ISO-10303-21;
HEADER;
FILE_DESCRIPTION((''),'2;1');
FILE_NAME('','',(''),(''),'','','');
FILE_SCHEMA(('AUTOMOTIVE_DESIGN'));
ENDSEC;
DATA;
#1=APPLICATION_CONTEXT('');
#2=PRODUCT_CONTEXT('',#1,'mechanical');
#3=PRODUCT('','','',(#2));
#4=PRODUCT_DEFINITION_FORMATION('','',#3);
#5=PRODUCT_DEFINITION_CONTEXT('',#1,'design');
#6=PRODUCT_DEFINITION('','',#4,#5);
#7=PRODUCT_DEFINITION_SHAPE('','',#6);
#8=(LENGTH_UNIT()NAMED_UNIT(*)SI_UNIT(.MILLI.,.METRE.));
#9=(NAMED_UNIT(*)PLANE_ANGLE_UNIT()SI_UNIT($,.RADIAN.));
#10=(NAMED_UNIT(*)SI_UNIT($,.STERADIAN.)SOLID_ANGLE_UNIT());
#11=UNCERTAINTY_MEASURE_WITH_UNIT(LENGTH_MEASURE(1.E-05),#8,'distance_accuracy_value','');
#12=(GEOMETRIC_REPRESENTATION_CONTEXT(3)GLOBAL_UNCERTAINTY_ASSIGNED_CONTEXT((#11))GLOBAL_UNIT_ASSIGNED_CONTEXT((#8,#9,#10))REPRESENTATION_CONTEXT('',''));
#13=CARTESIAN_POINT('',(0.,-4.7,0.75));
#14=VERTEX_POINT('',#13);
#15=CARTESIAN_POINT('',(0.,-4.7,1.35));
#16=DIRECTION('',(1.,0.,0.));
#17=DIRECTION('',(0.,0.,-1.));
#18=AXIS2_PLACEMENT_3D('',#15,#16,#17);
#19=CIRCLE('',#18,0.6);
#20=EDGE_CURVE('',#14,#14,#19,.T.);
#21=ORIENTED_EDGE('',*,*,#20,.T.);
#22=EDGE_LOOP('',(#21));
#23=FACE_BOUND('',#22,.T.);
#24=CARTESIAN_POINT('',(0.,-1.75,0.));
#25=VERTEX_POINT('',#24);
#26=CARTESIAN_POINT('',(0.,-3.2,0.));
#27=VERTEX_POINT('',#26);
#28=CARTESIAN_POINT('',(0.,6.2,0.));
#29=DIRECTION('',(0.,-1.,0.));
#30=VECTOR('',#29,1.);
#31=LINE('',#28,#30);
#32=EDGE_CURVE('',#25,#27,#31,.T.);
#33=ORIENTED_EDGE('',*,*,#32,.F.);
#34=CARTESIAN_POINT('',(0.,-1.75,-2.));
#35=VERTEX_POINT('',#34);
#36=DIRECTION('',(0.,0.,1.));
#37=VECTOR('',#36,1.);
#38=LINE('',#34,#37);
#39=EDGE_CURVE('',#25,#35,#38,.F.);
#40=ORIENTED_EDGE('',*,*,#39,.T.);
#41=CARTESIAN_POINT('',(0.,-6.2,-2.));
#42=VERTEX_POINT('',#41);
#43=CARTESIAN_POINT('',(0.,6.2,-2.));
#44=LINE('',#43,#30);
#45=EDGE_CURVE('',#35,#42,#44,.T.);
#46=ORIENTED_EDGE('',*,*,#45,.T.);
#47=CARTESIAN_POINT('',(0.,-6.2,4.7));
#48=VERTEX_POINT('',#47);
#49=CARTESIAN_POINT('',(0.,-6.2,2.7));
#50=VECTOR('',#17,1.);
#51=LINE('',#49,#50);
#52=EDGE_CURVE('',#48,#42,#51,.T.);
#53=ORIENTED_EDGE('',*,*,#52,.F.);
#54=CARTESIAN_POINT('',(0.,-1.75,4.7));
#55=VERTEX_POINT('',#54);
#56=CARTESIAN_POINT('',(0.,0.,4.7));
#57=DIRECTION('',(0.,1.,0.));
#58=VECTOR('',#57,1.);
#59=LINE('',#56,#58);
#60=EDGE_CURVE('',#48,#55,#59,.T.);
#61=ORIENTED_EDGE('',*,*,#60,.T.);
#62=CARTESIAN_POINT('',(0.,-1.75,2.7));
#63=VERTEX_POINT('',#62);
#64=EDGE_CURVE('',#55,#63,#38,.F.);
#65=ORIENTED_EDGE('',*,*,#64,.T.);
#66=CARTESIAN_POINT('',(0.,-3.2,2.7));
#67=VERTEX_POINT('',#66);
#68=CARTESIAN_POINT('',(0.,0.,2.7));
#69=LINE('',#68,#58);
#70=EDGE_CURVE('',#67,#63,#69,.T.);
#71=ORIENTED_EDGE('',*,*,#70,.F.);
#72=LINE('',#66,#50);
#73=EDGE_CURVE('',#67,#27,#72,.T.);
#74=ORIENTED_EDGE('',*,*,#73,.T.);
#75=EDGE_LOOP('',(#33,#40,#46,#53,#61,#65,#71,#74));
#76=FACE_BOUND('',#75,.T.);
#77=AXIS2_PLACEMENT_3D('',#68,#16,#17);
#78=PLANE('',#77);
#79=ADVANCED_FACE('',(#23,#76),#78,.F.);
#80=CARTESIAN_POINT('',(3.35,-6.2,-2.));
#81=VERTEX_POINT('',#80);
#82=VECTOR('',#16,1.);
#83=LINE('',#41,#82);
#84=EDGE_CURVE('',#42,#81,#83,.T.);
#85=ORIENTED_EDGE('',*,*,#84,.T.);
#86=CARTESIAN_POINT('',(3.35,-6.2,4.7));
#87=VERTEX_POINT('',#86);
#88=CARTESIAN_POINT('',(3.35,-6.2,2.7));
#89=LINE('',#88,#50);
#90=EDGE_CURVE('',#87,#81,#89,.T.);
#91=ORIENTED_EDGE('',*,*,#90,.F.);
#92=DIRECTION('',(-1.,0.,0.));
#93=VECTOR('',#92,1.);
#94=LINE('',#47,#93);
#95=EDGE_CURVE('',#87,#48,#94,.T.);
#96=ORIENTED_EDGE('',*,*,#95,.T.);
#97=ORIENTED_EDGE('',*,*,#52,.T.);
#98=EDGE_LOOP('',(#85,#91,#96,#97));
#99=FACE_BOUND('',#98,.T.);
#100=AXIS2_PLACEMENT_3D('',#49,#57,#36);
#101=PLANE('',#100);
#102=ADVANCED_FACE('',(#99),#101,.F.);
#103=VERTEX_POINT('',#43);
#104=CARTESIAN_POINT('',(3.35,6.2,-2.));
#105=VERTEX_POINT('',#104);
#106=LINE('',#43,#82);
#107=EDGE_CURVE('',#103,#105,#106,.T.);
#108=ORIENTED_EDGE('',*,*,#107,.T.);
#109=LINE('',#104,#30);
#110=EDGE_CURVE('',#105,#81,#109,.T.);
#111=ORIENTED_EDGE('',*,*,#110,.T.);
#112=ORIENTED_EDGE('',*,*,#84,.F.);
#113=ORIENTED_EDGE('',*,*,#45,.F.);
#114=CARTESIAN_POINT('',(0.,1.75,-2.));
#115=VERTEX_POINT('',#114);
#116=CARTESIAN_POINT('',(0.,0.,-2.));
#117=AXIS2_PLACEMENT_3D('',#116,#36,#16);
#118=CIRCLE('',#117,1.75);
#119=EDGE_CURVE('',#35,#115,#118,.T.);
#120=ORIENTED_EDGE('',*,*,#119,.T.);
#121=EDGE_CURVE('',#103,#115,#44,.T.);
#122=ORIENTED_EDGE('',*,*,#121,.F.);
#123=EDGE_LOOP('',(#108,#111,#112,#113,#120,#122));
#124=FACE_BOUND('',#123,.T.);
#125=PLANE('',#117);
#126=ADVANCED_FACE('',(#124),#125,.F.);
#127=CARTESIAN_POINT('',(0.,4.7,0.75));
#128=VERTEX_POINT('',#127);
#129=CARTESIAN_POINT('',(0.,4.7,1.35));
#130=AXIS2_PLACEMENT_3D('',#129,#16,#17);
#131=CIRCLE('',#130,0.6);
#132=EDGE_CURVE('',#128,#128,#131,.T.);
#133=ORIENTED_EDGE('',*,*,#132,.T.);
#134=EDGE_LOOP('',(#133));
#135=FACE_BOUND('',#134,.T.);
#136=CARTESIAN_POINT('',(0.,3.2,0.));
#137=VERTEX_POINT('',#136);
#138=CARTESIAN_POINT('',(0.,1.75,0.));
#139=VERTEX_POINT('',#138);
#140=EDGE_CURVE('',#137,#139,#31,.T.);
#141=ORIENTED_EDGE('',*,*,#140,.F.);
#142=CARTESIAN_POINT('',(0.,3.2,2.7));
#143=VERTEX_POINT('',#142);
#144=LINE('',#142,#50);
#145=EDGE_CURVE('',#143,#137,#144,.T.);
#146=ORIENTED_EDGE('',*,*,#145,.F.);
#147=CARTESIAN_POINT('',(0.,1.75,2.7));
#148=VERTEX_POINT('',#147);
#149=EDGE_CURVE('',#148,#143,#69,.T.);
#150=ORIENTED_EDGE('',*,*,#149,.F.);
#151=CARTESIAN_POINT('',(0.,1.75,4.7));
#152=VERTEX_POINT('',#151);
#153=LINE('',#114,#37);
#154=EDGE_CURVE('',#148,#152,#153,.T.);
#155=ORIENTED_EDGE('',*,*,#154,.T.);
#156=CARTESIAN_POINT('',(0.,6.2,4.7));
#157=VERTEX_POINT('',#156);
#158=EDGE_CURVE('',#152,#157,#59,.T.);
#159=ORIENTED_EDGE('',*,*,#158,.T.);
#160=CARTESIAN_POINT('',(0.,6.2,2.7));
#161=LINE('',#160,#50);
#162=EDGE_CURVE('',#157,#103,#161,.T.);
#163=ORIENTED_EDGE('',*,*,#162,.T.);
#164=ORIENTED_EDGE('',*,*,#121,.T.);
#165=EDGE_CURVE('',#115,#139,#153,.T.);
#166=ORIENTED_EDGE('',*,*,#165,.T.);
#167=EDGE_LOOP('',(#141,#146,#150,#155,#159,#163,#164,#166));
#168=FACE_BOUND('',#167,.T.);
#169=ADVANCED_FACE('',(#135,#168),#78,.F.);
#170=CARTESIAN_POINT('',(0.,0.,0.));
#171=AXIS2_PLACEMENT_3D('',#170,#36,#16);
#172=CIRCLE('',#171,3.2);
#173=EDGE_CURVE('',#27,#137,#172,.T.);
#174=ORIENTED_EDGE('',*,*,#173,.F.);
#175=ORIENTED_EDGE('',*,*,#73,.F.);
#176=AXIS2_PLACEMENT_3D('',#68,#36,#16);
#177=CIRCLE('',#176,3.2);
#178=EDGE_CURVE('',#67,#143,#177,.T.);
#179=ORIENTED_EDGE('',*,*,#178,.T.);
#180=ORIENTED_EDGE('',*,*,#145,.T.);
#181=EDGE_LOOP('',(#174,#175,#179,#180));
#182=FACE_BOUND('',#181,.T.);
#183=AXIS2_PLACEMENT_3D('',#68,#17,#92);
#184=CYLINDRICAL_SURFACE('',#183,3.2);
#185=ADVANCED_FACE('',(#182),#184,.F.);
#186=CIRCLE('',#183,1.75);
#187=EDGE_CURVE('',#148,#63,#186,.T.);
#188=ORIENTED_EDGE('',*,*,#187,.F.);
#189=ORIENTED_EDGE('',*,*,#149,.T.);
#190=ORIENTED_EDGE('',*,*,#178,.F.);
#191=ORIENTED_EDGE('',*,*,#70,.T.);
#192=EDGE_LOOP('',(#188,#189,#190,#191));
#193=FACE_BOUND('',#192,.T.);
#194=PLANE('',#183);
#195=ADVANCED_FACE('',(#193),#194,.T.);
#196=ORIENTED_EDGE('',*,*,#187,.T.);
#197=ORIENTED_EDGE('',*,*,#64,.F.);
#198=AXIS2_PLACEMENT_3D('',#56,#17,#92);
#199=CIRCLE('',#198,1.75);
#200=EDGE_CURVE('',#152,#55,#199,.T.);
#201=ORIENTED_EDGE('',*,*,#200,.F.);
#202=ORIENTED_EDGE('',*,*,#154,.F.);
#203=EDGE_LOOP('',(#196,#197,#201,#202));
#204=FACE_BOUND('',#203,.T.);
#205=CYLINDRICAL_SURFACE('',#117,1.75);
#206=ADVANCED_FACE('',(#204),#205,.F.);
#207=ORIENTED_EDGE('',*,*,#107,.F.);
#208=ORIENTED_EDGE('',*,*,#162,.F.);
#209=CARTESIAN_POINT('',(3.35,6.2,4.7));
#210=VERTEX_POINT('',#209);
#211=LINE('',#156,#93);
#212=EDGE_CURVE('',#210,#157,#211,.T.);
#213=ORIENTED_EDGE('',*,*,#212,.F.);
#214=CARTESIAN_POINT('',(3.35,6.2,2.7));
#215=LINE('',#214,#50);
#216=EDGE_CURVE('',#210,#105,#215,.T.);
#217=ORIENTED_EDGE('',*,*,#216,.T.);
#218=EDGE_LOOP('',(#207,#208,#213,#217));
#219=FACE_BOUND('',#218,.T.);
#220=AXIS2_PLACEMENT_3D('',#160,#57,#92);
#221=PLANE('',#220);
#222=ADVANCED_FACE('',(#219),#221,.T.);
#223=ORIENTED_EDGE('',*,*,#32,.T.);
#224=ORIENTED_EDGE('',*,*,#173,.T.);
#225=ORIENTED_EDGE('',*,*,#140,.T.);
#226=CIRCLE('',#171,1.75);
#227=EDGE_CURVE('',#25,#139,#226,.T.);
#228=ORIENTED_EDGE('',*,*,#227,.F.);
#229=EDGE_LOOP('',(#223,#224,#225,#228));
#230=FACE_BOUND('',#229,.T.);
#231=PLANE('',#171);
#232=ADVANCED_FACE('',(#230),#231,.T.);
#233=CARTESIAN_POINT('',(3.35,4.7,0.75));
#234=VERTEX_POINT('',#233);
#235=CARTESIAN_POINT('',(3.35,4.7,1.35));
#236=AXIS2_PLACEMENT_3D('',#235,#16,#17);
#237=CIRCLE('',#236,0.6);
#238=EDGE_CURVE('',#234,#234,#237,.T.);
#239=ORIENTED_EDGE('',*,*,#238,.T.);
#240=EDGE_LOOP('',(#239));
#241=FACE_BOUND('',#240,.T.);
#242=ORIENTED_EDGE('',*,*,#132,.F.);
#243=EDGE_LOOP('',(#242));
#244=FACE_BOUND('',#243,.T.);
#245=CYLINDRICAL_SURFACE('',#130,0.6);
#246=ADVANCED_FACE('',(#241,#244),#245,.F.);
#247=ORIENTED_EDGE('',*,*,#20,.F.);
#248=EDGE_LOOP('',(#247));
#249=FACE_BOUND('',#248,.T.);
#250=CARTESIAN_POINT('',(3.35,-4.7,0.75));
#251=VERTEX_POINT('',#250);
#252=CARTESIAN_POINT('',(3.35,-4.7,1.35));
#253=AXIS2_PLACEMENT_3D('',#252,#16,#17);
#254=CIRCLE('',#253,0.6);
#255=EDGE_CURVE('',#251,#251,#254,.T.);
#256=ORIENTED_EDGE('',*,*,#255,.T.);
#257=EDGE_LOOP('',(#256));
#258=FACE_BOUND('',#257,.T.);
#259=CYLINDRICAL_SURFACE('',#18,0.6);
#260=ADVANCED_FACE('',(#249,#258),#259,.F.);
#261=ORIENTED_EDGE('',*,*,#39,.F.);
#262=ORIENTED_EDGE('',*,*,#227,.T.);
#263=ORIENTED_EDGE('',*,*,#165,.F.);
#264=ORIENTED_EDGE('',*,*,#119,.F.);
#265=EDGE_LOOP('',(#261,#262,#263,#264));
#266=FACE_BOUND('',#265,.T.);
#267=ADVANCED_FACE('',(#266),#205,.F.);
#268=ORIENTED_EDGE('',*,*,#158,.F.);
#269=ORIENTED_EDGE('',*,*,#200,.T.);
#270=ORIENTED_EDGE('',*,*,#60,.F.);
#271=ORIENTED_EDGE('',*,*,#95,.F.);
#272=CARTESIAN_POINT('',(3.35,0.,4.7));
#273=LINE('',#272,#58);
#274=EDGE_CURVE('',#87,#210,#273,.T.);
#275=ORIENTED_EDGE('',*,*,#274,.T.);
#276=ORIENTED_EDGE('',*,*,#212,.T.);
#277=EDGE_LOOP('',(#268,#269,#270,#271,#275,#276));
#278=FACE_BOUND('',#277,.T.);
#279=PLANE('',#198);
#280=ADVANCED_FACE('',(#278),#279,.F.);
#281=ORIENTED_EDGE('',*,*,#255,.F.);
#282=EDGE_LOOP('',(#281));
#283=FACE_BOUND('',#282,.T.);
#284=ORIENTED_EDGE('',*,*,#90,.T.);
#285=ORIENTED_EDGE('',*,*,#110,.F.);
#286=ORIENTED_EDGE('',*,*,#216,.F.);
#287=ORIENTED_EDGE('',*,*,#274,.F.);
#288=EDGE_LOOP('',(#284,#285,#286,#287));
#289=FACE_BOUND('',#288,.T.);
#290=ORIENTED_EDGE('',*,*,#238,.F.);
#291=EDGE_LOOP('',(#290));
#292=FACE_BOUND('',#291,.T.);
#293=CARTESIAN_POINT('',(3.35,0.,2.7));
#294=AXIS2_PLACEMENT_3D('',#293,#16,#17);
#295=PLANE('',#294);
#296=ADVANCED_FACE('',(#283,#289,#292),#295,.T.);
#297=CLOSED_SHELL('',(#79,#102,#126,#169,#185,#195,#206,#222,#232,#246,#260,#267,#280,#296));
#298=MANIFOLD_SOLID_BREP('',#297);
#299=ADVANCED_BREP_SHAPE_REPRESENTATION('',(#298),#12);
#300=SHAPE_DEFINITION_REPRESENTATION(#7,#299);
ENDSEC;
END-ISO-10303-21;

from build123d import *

# Parameters (mm, degrees)
EXTRUDE_1_DEPTH     = 2.7
SKETCH_1_4_W        = 3.35
SKETCH_1_4_H        = 12.4
EXTRUDE_2_DEPTH     = 2
EXTRUDE_START       = 2.7
SKETCH_1_5_W        = 3.35
SKETCH_1_5_H        = 12.4
EXTRUDE_3_DEPTH     = 2
SKETCH_2_R          = 1.75
CUT_EXTRUDE_1_DEPTH = 10.723810981
SKETCH_4_R          = 0.6
CUT_EXTRUDE_2_DEPTH = 9.470684742


with BuildPart() as part:
    # 草图1 → 凸台-拉伸1 (new body)
    with BuildSketch(Plane.XY):
        with BuildLine():
            Line((3.35, 6.2), (0, 6.2))
            Line((0, 6.2), (0, 3.2))
            ThreePointArc((0, 3.2), (2.2627417, 2.2627417), (3.2, 0))
            ThreePointArc((3.2, 0), (2.2627417, -2.2627417), (0, -3.2))
            Line((0, -3.2), (0, -6.2))
            Line((0, -6.2), (3.35, -6.2))
            Line((3.35, -6.2), (3.35, 6.2))
        make_face()
    extrude(amount=EXTRUDE_1_DEPTH)

    # 草图1<4> → 凸台-拉伸2 (add)
    with BuildSketch(Plane.XY):
        with Locations((1.675, 0)):
            Rectangle(SKETCH_1_4_W, SKETCH_1_4_H)
    extrude(amount=-EXTRUDE_2_DEPTH)

    # 草图1<5> → 凸台-拉伸3 (add)
    with BuildSketch(Plane.XY.offset(EXTRUDE_START)):
        with Locations((1.675, 0)):
            Rectangle(SKETCH_1_5_W, SKETCH_1_5_H)
    extrude(amount=EXTRUDE_3_DEPTH)

    # 草图2 → 切除-拉伸1 (cut, through all)
    with BuildSketch(Plane.XY.offset(4.7)):
        Circle(SKETCH_2_R)
    extrude(amount=-CUT_EXTRUDE_1_DEPTH, mode=Mode.SUBTRACT)

    # 草图4 → 切除-拉伸2 (cut, through all)
    with BuildSketch(Plane(origin=(3.35, 0, 0), x_dir=(0, 0, -1), z_dir=(1, 0, 0))):
        with Locations((-1.35, -4.7)):
            Circle(SKETCH_4_R)
        with Locations((-1.35, 4.7)):
            Circle(SKETCH_4_R)
    extrude(amount=-CUT_EXTRUDE_2_DEPTH, mode=Mode.SUBTRACT)


solid = part.part
